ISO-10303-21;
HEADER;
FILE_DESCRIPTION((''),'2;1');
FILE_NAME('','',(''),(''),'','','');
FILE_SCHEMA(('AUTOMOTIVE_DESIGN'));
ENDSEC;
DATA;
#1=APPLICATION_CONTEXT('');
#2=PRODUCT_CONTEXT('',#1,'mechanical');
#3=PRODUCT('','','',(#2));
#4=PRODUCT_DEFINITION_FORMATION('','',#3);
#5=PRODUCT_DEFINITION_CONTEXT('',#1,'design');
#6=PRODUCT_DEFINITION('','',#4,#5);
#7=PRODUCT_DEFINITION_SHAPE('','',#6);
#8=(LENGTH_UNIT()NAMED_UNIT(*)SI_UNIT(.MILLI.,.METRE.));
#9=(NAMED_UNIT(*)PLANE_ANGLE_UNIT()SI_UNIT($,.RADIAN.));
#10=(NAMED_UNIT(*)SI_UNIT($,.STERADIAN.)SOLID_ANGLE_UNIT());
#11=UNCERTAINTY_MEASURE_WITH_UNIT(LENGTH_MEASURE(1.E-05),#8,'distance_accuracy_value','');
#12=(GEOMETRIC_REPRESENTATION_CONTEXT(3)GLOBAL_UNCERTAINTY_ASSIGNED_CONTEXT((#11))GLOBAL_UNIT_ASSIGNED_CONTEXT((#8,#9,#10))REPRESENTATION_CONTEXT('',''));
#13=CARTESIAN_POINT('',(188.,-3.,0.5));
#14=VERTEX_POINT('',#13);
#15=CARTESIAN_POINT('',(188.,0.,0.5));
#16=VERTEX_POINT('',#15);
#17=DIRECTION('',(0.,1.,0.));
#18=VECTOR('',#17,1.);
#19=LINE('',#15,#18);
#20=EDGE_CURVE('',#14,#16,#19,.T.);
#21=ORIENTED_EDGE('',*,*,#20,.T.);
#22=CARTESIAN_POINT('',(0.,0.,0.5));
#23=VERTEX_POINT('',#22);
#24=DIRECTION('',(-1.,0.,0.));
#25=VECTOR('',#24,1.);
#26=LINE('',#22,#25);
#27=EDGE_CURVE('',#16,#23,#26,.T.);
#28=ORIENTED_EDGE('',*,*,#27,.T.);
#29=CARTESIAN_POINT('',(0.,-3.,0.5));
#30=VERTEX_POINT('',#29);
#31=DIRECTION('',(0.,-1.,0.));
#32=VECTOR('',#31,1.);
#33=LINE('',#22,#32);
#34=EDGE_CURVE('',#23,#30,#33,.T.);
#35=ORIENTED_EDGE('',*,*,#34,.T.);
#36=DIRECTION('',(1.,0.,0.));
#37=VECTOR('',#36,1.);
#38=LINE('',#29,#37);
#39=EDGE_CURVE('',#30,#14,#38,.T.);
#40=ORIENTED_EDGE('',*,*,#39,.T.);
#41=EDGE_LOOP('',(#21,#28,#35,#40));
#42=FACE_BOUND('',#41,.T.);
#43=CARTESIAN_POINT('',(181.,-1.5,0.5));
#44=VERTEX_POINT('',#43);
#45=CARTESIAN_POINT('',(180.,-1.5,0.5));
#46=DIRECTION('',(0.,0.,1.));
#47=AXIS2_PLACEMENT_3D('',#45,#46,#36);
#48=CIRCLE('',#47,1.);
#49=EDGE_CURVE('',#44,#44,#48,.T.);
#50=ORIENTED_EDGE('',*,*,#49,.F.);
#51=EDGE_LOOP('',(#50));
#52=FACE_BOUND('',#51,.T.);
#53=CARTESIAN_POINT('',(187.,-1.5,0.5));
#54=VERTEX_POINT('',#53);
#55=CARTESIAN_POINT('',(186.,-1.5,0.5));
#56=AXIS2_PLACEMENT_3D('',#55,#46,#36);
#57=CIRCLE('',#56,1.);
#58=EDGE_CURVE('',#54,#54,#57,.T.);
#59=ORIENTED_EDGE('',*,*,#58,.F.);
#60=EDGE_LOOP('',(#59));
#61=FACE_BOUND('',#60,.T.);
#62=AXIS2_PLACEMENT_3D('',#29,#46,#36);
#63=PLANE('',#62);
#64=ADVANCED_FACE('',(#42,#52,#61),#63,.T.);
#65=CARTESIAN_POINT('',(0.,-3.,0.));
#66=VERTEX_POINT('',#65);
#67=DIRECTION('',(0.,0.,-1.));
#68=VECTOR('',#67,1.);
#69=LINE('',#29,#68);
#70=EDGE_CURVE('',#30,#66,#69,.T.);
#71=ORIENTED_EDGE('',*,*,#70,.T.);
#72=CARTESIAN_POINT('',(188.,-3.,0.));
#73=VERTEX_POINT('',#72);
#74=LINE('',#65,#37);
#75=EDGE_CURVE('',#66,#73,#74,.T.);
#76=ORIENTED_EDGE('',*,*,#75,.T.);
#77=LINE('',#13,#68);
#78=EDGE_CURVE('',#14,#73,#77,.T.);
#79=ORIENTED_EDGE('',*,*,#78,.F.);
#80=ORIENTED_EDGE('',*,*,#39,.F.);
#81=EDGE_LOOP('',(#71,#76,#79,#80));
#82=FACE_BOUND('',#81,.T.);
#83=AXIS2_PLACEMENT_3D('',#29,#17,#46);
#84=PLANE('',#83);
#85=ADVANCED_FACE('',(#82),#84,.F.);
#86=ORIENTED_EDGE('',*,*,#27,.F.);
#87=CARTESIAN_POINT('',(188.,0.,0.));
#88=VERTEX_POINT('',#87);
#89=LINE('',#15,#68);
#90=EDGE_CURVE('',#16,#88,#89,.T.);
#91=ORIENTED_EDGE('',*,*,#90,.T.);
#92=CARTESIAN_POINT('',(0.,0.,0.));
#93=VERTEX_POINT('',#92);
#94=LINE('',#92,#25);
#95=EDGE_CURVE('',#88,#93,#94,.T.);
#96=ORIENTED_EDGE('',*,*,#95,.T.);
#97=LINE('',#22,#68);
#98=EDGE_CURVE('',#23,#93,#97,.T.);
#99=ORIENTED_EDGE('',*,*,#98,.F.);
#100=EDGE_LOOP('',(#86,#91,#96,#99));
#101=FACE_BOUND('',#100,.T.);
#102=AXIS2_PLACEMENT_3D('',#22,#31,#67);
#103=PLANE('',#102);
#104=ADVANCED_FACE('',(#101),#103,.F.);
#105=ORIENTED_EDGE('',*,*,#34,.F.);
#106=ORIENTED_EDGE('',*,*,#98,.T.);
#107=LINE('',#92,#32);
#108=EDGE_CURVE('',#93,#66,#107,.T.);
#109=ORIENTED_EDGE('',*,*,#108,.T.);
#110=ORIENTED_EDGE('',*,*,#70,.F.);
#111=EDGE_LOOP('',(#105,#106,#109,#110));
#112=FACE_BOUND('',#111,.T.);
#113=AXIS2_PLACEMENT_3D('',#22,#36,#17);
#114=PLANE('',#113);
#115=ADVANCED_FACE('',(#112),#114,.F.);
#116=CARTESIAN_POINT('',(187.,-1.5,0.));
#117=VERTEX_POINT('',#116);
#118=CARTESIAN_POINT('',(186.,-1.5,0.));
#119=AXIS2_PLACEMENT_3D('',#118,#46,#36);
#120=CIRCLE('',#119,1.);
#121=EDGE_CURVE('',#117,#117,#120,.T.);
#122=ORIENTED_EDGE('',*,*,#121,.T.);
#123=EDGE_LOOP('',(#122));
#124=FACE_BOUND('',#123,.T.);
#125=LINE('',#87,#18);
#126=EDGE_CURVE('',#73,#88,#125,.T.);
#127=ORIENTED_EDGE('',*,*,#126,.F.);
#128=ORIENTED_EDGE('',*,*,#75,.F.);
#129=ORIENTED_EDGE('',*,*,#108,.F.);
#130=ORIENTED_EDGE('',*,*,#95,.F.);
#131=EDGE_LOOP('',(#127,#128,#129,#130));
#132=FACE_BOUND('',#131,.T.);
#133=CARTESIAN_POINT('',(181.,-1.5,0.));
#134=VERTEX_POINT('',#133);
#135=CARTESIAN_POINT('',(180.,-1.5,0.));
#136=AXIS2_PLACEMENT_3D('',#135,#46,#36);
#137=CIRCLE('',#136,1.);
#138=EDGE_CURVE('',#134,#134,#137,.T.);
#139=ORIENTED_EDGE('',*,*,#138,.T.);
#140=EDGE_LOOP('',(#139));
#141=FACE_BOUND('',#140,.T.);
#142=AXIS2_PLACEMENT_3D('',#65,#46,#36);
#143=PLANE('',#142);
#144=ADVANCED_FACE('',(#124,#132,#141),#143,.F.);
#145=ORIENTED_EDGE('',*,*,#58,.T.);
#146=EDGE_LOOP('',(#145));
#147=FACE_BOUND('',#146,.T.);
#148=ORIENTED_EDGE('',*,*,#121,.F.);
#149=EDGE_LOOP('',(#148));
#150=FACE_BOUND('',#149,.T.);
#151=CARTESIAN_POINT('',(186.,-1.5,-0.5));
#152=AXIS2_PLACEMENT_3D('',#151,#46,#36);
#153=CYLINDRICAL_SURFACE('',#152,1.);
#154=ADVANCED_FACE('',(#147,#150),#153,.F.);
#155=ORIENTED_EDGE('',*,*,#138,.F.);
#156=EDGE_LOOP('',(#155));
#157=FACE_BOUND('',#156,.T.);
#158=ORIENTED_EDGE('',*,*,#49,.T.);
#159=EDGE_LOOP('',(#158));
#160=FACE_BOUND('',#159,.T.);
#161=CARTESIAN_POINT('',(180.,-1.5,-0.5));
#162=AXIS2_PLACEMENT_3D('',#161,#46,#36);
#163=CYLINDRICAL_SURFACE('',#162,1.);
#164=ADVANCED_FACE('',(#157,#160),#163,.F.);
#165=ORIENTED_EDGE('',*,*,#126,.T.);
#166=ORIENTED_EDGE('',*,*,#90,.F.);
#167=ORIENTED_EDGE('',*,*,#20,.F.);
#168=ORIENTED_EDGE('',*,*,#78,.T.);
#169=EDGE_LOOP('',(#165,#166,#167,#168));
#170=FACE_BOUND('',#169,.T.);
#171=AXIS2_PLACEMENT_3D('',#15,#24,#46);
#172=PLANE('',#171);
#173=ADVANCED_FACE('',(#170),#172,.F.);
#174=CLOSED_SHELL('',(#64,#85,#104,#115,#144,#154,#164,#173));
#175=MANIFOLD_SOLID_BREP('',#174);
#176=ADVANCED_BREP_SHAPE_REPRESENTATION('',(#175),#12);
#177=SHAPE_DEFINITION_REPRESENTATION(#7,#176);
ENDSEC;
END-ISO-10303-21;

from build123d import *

# Parameters (mm, degrees)
SKETCH_1_W          = 188
SKETCH_1_H          = 3
EXTRUDE_1_DEPTH     = 0.5
SKETCH_2_R          = 1
CUT_EXTRUDE_1_DEPTH = 1


with BuildPart() as part:
    # ｽｹｯﾁ1 → ﾎﾞｽ - 押し出し1 (new body)
    with BuildSketch(Plane.XY):
        with Locations((94, -1.5)):
            Rectangle(SKETCH_1_W, SKETCH_1_H)
    extrude(amount=EXTRUDE_1_DEPTH)

    # ｽｹｯﾁ2 → ｶｯﾄ - 押し出し1 (cut)
    with BuildSketch(Plane.XY.offset(0.5)):
        with Locations((180, -1.5)):
            Circle(SKETCH_2_R)
        with Locations((186, -1.5)):
            Circle(SKETCH_2_R)
    extrude(amount=-CUT_EXTRUDE_1_DEPTH, mode=Mode.SUBTRACT)


solid = part.part
